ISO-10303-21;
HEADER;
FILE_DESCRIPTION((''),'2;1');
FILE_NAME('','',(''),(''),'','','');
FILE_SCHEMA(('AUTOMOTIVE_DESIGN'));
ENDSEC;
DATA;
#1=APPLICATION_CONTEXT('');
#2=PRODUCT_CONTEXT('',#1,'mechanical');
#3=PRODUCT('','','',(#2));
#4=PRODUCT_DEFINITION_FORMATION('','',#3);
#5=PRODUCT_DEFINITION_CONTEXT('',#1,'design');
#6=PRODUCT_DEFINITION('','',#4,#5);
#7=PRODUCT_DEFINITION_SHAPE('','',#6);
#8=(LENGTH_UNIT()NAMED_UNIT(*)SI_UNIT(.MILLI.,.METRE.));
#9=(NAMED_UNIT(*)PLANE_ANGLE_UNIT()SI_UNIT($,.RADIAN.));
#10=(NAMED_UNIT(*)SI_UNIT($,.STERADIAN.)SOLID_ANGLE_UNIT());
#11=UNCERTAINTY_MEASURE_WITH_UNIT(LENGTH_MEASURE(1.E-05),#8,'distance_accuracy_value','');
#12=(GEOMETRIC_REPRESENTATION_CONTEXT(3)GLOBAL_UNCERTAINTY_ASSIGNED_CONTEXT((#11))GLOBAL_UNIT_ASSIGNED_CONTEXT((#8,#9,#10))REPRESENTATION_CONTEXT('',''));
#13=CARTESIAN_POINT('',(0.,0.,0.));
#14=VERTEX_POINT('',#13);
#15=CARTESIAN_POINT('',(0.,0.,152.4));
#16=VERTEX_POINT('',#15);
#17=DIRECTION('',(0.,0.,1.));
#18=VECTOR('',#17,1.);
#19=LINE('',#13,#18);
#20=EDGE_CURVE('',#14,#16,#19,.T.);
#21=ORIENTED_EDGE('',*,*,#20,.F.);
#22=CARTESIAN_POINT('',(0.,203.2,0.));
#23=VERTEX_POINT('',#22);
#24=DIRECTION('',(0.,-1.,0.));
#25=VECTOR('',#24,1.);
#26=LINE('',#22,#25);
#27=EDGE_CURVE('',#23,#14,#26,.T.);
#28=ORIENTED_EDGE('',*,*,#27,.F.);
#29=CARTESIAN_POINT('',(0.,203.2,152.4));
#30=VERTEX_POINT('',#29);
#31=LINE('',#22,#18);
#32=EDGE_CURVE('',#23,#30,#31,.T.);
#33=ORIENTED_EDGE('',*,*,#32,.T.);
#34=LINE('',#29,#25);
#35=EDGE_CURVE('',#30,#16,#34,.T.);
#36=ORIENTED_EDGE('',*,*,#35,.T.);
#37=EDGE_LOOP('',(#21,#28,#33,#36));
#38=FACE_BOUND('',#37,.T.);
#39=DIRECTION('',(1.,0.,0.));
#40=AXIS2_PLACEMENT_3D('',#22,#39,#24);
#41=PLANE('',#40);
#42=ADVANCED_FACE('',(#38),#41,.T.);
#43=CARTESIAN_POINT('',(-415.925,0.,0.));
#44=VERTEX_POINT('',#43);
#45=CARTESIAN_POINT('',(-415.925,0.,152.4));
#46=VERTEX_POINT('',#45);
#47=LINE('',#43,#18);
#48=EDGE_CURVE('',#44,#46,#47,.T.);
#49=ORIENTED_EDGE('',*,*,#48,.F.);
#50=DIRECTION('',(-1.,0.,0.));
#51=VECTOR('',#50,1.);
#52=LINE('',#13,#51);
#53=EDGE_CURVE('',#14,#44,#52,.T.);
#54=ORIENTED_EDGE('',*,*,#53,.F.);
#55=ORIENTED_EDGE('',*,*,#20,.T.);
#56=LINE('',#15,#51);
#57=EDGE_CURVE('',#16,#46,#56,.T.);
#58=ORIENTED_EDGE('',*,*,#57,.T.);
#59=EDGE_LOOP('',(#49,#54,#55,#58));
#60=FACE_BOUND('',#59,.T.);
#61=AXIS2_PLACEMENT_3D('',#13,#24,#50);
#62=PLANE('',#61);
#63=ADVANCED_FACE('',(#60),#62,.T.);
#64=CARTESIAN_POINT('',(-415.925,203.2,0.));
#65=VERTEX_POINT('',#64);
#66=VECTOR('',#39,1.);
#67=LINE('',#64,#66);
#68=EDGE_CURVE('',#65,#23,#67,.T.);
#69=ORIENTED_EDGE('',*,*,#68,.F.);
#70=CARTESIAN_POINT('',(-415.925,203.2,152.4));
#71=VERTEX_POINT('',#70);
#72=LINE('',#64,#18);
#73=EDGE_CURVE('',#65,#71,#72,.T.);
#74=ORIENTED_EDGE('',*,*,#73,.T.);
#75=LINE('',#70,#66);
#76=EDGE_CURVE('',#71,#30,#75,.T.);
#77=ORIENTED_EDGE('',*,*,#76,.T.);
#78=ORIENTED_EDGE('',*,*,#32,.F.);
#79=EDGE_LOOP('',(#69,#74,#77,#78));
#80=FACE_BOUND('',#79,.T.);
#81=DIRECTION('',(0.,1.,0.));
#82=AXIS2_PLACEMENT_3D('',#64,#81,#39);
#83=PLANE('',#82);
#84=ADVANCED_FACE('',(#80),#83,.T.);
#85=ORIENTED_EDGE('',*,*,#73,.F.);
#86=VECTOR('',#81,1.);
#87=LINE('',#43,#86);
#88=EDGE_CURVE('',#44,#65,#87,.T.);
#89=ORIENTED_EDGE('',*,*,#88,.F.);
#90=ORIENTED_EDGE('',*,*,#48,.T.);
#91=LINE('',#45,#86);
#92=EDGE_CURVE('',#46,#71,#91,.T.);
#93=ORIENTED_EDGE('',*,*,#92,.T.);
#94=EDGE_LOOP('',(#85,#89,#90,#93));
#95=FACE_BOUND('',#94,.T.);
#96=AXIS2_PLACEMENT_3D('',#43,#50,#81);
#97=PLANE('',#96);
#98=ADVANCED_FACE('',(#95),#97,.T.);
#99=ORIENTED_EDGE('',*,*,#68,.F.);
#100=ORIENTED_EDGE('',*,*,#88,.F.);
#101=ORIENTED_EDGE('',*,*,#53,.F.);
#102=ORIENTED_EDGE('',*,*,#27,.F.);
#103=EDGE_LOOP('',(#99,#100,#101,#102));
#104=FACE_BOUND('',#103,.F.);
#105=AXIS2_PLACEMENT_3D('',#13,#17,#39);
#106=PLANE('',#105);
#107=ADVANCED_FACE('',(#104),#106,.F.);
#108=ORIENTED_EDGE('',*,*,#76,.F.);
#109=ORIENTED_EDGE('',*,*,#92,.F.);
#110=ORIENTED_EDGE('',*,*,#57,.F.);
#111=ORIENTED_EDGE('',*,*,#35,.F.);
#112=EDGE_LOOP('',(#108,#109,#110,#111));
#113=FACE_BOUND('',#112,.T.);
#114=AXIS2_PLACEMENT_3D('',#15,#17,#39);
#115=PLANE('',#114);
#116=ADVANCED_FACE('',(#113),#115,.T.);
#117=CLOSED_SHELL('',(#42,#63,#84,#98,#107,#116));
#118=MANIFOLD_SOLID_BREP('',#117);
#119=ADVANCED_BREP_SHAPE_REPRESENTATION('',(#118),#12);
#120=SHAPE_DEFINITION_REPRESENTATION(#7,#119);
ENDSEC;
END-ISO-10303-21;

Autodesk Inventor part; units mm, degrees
ref_plane "YZ Plane" through (0, 0, 0) normal (1, 0, 0) x (0, 1, 0)
ref_plane "XZ Plane" through (0, 0, 0) normal (0, 1, 0) x (-1, 0, 0)
ref_plane "XY Plane" through (0, 0, 0) normal (0, 0, 1) x (1, 0, 0)
sketch "Sketch1" plane through (0, 0, 0) normal (0, 0, 1) x (1, 0, 0)
  line L0 (0, 0) -> (-415.925, 0)
  line L1 (-415.925, 0) -> (-415.925, 203.2)
  line L2 (-415.925, 203.2) -> (0, 203.2)
  line L3 (0, 203.2) -> (0, 0)
  dimension "d0" = 415.925
  dimension "d1" = 203.2
extrude "Extrusion1" add sketch "Sketch1" along normal blind 152.4
properties part number "placeholder for bucket"
